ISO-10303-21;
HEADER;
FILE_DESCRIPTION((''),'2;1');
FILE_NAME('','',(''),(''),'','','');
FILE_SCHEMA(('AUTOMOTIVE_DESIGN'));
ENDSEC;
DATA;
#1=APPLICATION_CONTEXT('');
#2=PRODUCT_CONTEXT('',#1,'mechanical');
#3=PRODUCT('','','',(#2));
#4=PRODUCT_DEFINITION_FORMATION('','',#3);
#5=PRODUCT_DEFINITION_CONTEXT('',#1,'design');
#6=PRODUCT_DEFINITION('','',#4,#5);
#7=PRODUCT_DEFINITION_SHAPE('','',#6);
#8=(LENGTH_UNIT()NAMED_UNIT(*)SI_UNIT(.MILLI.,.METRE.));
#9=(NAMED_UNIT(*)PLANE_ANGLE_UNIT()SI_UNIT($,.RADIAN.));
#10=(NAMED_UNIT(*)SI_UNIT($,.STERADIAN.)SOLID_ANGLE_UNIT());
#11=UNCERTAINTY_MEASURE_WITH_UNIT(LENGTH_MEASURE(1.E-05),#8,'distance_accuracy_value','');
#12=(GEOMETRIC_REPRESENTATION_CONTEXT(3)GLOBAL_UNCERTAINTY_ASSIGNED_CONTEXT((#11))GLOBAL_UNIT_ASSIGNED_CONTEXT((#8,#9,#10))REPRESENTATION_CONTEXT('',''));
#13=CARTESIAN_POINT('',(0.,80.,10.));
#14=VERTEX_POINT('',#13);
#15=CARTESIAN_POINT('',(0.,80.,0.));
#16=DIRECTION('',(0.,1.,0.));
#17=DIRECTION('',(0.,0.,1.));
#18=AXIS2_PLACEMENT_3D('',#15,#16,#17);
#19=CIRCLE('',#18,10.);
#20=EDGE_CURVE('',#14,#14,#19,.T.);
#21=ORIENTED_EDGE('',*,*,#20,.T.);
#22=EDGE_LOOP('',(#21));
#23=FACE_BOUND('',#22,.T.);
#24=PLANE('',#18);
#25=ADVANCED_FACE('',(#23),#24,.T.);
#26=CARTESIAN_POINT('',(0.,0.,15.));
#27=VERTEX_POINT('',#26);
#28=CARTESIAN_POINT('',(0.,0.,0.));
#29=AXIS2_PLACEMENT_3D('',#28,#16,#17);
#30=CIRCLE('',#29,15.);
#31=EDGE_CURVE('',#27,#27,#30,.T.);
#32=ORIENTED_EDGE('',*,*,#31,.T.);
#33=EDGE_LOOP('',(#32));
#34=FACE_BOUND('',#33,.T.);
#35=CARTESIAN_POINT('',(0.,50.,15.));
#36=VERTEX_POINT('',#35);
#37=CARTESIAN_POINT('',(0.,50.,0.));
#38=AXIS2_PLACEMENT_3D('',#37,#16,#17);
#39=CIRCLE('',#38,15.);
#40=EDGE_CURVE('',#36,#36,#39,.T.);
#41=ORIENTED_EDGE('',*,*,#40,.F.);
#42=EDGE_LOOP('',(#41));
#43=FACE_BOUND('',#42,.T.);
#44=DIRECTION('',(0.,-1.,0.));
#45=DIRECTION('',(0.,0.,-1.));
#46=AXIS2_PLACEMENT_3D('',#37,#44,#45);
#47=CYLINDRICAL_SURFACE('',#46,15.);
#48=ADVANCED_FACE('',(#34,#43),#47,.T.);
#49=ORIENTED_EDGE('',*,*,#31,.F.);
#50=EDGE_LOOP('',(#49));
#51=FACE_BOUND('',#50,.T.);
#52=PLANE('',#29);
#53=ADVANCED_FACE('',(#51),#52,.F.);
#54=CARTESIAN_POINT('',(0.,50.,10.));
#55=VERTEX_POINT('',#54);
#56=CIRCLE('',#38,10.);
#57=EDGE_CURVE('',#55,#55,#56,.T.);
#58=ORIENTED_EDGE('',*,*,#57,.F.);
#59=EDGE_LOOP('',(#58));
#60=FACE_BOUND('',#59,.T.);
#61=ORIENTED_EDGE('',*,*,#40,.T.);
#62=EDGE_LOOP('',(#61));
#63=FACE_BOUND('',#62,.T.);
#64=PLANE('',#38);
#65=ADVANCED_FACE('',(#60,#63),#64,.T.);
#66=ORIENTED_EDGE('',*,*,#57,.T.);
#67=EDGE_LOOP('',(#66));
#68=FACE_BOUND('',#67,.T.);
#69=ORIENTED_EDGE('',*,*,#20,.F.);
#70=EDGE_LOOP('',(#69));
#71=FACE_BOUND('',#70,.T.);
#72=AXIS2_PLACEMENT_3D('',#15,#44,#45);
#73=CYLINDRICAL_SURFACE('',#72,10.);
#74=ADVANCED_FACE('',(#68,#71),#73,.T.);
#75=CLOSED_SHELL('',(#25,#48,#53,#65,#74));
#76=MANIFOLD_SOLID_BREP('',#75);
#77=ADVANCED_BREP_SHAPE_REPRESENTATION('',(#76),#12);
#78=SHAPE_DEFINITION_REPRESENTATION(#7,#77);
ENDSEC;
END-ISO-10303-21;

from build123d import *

# Parameters (mm, degrees)
ESBO_O1_R                = 15
RESSALTO_EXTRUS_O1_DEPTH = 50
ESBO_O2_R                = 10
RESSALTO_EXTRUS_O2_DEPTH = 30


with BuildPart() as part:
    # Esboço1 → Ressalto-extrusão1 (new body)
    with BuildSketch(Plane(origin=(0, 0, 0), x_dir=(1, 0, 0), z_dir=(0, 1, 0))):
        with Locations(Location((0, 0, 0), (0, 0, 270))):
            Circle(ESBO_O1_R)
    extrude(amount=RESSALTO_EXTRUS_O1_DEPTH)

    # Esboço2 → Ressalto-extrusão2 (add)
    with BuildSketch(Plane(origin=(0, 50, 0), x_dir=(1, 0, 0), z_dir=(0, 1, 0))):
        with Locations(Location((0, 0, 0), (0, 0, 270))):
            Circle(ESBO_O2_R)
    extrude(amount=RESSALTO_EXTRUS_O2_DEPTH)


solid = part.part
